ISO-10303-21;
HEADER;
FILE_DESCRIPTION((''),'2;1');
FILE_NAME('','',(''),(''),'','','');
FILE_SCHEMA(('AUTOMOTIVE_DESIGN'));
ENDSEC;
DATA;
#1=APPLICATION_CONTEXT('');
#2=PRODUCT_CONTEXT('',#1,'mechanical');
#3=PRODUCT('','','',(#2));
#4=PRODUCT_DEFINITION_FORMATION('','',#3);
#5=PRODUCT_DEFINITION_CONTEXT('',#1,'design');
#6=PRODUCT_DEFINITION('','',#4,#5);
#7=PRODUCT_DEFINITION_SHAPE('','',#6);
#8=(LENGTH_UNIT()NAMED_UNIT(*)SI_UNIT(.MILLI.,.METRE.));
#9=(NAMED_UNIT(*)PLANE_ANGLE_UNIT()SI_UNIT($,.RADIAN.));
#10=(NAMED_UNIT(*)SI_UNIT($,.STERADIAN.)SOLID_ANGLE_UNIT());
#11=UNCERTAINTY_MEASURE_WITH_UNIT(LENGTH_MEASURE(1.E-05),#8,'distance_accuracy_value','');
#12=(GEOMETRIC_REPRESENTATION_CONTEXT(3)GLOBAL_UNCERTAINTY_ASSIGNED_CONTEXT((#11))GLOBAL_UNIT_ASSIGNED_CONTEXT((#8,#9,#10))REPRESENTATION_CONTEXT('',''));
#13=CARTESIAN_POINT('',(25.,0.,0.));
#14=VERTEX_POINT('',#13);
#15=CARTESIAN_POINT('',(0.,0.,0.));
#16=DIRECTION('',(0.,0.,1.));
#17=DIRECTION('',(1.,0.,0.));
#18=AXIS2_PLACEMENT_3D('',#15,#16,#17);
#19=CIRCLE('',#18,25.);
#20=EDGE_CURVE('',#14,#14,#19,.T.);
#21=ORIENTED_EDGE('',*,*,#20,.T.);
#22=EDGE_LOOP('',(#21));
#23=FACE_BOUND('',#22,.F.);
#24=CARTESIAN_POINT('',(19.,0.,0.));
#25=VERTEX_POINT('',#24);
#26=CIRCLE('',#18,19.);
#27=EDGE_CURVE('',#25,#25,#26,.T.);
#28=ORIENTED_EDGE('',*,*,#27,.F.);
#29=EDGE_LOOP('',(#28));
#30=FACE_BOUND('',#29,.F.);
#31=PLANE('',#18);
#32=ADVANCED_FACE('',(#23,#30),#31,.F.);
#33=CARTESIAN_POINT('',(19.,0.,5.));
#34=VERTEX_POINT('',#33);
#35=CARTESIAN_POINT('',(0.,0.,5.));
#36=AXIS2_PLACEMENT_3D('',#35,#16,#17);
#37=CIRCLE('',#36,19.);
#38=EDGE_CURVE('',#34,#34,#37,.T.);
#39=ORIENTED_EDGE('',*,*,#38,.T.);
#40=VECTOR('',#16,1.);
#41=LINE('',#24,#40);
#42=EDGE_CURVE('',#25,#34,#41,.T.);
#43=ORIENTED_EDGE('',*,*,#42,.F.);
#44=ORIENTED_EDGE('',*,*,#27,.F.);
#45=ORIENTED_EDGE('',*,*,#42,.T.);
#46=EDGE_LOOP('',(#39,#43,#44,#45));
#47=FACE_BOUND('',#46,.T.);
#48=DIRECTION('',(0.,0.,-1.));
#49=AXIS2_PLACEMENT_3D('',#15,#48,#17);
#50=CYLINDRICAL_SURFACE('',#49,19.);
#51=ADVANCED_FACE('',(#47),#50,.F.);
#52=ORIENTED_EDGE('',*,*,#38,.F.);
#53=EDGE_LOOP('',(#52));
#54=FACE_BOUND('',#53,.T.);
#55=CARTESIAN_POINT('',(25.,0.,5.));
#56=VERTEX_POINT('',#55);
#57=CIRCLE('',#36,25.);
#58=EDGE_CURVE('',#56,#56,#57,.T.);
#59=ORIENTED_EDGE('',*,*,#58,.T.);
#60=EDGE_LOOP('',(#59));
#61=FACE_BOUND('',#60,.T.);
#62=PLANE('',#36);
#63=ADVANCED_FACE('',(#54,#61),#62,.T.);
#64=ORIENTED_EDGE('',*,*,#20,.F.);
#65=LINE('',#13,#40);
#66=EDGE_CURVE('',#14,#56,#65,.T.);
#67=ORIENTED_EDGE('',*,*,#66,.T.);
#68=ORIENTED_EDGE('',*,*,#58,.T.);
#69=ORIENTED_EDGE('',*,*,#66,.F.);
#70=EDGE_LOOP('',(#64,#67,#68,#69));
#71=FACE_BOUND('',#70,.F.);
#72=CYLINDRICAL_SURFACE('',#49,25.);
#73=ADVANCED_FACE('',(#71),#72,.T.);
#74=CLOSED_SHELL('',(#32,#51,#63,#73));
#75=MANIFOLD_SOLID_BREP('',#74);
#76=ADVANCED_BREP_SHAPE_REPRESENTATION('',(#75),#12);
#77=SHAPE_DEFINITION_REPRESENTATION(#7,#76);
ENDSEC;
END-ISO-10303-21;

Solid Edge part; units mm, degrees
sketch "Sketch1" plane through (0, 0, 0) normal (0, 0, 1) x (1, 0, 0)
  circle A0 centre (0, 0) radius 25
  circle A1 centre (0, 0) radius 19
  dimension "D1" = 50
  dimension "D2" = 38
extrude "Protrusion1" add sketch "Sketch1" along normal blind 5
